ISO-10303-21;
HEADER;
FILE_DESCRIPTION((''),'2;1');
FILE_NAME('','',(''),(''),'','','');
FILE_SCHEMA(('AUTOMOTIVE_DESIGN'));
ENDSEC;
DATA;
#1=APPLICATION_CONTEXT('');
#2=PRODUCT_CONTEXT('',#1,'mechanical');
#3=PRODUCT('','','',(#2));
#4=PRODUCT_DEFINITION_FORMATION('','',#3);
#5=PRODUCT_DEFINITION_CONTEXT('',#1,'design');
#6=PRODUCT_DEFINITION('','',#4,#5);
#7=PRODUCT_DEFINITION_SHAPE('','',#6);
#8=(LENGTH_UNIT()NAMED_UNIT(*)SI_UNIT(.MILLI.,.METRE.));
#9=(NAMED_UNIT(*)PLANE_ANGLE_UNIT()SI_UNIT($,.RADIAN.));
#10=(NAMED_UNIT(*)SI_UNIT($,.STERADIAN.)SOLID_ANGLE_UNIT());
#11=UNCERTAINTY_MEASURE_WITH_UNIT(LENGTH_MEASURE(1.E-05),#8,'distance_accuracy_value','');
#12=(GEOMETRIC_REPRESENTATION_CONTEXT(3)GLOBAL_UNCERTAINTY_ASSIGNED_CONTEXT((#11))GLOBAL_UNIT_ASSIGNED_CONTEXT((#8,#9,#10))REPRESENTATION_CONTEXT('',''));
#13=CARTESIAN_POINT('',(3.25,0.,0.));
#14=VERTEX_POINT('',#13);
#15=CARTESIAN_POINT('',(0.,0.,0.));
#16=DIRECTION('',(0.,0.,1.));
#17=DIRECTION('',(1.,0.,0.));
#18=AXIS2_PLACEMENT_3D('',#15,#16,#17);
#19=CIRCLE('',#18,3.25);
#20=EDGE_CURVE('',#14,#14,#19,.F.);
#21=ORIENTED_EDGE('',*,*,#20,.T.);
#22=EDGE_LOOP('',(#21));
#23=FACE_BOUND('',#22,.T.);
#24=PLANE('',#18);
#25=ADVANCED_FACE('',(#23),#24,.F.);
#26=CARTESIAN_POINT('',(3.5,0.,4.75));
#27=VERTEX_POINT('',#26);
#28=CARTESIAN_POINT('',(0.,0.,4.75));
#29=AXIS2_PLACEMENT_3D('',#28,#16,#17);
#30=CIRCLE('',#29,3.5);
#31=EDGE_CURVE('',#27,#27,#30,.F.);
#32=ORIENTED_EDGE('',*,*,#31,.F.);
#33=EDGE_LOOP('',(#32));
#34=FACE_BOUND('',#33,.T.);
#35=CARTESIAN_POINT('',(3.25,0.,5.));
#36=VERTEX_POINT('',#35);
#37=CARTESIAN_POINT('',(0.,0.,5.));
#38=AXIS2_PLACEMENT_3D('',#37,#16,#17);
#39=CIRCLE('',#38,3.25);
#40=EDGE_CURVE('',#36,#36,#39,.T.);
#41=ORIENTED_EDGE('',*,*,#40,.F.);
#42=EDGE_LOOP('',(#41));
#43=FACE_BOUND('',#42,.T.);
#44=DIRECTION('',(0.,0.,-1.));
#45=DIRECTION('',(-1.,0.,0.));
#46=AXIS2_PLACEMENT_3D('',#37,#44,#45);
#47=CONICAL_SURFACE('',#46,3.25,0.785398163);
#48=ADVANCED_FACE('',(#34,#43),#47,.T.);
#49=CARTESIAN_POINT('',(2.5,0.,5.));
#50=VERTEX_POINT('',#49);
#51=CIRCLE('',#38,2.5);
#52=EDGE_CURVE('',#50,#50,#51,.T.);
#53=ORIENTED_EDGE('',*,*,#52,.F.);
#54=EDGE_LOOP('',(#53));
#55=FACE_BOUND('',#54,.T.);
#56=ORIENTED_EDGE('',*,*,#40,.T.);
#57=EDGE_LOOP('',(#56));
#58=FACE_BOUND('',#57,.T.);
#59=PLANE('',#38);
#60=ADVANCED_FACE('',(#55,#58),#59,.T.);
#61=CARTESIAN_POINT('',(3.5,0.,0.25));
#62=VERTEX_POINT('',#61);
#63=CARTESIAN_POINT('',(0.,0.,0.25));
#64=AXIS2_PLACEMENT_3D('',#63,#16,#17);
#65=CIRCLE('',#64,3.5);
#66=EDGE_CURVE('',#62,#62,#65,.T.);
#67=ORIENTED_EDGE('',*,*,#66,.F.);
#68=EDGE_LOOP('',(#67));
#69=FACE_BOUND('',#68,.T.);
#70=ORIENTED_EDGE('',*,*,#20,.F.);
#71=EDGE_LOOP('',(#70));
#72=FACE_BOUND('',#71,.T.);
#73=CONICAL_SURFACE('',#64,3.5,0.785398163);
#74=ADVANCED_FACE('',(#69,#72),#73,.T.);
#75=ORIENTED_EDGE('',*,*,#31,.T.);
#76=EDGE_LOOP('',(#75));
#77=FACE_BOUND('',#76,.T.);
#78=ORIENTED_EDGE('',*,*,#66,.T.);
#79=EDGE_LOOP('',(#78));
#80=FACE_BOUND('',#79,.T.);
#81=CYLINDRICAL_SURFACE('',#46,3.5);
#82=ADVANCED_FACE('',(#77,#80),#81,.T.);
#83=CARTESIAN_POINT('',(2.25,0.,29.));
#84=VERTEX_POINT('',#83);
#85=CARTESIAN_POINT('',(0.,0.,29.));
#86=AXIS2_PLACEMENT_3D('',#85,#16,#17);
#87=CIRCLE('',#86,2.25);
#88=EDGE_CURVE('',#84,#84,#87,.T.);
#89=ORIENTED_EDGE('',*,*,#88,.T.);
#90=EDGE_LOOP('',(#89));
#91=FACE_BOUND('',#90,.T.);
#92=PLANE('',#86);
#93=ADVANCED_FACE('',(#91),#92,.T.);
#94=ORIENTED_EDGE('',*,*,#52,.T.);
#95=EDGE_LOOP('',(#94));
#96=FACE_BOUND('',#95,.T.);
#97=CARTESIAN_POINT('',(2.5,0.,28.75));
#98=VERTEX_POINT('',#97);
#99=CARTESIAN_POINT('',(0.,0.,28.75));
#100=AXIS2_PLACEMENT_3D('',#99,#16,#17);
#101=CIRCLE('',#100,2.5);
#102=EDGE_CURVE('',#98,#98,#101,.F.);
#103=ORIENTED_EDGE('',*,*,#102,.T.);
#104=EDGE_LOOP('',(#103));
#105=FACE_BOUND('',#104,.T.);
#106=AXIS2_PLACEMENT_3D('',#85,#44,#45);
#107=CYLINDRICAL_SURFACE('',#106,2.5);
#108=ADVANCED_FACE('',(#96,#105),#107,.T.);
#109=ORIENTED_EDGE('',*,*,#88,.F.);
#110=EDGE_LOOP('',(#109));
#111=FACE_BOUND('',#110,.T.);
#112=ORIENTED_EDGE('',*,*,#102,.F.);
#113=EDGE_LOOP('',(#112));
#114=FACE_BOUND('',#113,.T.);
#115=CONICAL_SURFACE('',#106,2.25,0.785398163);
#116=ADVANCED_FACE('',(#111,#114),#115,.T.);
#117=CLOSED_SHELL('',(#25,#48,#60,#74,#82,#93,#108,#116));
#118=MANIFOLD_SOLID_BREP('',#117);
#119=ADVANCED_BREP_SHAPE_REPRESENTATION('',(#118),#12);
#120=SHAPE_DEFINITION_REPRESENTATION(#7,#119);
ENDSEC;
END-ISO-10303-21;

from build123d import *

# Parameters (mm, degrees)
SCHIZZO1_R                   = 3.5
ESTRUSIONE_ESTRUSIONE1_DEPTH = 5
SCHIZZO2_R                   = 2.5
ESTRUSIONE_ESTRUSIONE2_DEPTH = 24
SMUSSO1_SIZE                 = 0.25


with BuildPart() as part:
    # Schizzo1 → Estrusione-Estrusione1 (new body)
    with BuildSketch(Plane.XY):
        Circle(SCHIZZO1_R)
    extrude(amount=ESTRUSIONE_ESTRUSIONE1_DEPTH)

    # Schizzo2 → Estrusione-Estrusione2 (add)
    with BuildSketch(Plane.XY.offset(5)):
        Circle(SCHIZZO2_R)
    extrude(amount=ESTRUSIONE_ESTRUSIONE2_DEPTH)

    # Smusso1
    smusso1_edges = [part.edges().sort_by_distance(p)[0] for p in [
        (-3.5, 0, 0),
        (-3.5, 0, 5),
        (-2.5, 0, 29),
    ]]
    chamfer(smusso1_edges, length=SMUSSO1_SIZE)


solid = part.part
